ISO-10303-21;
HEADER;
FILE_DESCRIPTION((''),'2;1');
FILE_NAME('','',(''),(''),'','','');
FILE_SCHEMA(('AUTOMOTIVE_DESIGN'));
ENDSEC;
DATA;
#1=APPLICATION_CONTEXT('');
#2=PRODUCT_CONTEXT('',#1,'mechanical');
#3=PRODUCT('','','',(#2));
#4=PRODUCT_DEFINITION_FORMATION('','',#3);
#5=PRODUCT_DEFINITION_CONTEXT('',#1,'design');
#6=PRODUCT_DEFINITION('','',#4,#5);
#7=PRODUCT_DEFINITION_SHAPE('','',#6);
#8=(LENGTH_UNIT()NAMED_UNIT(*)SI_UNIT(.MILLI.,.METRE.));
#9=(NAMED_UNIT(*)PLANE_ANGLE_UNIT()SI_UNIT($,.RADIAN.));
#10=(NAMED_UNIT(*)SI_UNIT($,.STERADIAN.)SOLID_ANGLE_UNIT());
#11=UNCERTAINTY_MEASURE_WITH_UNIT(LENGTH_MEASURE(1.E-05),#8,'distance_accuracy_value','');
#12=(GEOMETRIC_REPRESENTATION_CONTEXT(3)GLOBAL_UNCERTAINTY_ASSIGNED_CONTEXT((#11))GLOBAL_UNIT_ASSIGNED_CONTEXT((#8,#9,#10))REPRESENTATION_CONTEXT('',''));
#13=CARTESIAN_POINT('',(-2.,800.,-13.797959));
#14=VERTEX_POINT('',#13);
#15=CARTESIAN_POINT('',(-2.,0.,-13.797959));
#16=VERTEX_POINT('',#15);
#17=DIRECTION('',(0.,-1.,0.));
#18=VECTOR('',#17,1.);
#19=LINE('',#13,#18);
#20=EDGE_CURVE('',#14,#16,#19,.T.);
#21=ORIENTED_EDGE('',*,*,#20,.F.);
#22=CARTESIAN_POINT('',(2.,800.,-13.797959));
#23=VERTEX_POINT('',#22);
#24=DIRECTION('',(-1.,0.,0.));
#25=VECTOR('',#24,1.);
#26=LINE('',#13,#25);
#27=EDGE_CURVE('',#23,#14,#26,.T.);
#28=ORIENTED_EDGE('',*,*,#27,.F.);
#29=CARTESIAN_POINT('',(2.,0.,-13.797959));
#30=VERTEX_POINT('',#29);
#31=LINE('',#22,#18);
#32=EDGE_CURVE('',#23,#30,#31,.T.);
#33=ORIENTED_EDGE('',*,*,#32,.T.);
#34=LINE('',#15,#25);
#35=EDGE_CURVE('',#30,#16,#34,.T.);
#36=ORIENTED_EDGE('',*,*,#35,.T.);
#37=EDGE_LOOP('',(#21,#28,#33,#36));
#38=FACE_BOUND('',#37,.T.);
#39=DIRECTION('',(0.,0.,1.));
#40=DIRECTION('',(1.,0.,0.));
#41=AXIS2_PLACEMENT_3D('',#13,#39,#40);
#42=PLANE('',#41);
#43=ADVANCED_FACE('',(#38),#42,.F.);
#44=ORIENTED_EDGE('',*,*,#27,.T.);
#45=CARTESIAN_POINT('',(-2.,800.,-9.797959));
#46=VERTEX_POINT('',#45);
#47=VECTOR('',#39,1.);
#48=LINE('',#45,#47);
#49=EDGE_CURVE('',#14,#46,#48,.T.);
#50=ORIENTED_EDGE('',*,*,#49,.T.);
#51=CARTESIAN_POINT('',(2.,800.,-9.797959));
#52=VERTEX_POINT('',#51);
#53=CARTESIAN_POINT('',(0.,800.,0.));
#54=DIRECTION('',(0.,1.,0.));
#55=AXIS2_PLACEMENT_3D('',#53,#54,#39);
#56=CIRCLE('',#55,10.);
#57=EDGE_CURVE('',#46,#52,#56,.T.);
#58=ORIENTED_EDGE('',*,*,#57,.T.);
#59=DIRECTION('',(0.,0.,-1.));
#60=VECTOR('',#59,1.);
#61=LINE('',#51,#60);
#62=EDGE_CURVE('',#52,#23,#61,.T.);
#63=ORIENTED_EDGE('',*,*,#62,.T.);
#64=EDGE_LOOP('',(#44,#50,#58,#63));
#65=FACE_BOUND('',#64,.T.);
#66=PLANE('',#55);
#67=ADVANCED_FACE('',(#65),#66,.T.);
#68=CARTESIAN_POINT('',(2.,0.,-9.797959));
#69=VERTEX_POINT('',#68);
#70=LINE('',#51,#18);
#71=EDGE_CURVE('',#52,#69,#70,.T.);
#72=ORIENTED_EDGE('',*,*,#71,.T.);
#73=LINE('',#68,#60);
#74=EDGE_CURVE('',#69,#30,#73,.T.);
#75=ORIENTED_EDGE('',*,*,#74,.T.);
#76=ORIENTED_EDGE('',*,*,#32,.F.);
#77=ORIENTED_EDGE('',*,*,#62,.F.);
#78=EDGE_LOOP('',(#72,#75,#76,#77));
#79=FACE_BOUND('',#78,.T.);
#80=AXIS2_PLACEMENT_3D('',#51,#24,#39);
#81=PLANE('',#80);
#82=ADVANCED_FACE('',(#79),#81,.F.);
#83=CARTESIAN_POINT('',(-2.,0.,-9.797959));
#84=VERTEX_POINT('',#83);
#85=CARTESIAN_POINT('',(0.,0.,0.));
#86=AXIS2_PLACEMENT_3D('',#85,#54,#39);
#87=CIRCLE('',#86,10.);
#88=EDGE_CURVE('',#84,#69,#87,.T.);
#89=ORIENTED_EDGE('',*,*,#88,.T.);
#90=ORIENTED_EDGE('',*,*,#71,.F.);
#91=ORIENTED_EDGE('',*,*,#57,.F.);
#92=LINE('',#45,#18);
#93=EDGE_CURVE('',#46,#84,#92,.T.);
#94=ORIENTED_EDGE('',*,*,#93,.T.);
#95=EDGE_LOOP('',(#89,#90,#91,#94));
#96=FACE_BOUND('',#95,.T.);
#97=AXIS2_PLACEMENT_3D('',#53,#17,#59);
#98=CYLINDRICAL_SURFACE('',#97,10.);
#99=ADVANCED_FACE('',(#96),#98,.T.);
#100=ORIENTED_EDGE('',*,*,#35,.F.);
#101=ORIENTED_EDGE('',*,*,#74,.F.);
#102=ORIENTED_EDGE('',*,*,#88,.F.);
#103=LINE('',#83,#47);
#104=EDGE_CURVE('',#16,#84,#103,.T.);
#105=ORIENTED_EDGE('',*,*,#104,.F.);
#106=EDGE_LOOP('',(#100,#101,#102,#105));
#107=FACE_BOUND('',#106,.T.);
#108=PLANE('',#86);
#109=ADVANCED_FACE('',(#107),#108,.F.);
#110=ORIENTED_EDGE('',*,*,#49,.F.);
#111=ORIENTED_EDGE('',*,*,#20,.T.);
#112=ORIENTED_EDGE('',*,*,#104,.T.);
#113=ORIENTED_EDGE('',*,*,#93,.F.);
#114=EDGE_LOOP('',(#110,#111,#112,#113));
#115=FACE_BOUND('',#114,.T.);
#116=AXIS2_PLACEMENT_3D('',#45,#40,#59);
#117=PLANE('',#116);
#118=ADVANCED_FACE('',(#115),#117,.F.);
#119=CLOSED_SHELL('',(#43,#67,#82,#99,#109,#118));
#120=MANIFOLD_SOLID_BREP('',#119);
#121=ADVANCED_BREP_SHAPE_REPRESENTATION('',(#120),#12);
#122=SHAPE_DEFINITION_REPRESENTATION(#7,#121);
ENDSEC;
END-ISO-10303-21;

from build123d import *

# Parameters (mm, degrees)
EXTRUDE_1_DEPTH = 800


with BuildPart() as part:
    # 草图1 → 凸台-拉伸1 (new body)
    with BuildSketch(Plane(origin=(0, 0, 0), x_dir=(1, 0, 0), z_dir=(0, 1, 0))):
        with BuildLine():
            Line((-2, 9.797958971), (-2, 13.797958971))
            Line((-2, 13.797958971), (2, 13.797958971))
            Line((2, 13.797958971), (2, 9.797958971))
            ThreePointArc((2, 9.797958971), (0, -10), (-2, 9.797958971))
        make_face()
    extrude(amount=EXTRUDE_1_DEPTH)


solid = part.part
